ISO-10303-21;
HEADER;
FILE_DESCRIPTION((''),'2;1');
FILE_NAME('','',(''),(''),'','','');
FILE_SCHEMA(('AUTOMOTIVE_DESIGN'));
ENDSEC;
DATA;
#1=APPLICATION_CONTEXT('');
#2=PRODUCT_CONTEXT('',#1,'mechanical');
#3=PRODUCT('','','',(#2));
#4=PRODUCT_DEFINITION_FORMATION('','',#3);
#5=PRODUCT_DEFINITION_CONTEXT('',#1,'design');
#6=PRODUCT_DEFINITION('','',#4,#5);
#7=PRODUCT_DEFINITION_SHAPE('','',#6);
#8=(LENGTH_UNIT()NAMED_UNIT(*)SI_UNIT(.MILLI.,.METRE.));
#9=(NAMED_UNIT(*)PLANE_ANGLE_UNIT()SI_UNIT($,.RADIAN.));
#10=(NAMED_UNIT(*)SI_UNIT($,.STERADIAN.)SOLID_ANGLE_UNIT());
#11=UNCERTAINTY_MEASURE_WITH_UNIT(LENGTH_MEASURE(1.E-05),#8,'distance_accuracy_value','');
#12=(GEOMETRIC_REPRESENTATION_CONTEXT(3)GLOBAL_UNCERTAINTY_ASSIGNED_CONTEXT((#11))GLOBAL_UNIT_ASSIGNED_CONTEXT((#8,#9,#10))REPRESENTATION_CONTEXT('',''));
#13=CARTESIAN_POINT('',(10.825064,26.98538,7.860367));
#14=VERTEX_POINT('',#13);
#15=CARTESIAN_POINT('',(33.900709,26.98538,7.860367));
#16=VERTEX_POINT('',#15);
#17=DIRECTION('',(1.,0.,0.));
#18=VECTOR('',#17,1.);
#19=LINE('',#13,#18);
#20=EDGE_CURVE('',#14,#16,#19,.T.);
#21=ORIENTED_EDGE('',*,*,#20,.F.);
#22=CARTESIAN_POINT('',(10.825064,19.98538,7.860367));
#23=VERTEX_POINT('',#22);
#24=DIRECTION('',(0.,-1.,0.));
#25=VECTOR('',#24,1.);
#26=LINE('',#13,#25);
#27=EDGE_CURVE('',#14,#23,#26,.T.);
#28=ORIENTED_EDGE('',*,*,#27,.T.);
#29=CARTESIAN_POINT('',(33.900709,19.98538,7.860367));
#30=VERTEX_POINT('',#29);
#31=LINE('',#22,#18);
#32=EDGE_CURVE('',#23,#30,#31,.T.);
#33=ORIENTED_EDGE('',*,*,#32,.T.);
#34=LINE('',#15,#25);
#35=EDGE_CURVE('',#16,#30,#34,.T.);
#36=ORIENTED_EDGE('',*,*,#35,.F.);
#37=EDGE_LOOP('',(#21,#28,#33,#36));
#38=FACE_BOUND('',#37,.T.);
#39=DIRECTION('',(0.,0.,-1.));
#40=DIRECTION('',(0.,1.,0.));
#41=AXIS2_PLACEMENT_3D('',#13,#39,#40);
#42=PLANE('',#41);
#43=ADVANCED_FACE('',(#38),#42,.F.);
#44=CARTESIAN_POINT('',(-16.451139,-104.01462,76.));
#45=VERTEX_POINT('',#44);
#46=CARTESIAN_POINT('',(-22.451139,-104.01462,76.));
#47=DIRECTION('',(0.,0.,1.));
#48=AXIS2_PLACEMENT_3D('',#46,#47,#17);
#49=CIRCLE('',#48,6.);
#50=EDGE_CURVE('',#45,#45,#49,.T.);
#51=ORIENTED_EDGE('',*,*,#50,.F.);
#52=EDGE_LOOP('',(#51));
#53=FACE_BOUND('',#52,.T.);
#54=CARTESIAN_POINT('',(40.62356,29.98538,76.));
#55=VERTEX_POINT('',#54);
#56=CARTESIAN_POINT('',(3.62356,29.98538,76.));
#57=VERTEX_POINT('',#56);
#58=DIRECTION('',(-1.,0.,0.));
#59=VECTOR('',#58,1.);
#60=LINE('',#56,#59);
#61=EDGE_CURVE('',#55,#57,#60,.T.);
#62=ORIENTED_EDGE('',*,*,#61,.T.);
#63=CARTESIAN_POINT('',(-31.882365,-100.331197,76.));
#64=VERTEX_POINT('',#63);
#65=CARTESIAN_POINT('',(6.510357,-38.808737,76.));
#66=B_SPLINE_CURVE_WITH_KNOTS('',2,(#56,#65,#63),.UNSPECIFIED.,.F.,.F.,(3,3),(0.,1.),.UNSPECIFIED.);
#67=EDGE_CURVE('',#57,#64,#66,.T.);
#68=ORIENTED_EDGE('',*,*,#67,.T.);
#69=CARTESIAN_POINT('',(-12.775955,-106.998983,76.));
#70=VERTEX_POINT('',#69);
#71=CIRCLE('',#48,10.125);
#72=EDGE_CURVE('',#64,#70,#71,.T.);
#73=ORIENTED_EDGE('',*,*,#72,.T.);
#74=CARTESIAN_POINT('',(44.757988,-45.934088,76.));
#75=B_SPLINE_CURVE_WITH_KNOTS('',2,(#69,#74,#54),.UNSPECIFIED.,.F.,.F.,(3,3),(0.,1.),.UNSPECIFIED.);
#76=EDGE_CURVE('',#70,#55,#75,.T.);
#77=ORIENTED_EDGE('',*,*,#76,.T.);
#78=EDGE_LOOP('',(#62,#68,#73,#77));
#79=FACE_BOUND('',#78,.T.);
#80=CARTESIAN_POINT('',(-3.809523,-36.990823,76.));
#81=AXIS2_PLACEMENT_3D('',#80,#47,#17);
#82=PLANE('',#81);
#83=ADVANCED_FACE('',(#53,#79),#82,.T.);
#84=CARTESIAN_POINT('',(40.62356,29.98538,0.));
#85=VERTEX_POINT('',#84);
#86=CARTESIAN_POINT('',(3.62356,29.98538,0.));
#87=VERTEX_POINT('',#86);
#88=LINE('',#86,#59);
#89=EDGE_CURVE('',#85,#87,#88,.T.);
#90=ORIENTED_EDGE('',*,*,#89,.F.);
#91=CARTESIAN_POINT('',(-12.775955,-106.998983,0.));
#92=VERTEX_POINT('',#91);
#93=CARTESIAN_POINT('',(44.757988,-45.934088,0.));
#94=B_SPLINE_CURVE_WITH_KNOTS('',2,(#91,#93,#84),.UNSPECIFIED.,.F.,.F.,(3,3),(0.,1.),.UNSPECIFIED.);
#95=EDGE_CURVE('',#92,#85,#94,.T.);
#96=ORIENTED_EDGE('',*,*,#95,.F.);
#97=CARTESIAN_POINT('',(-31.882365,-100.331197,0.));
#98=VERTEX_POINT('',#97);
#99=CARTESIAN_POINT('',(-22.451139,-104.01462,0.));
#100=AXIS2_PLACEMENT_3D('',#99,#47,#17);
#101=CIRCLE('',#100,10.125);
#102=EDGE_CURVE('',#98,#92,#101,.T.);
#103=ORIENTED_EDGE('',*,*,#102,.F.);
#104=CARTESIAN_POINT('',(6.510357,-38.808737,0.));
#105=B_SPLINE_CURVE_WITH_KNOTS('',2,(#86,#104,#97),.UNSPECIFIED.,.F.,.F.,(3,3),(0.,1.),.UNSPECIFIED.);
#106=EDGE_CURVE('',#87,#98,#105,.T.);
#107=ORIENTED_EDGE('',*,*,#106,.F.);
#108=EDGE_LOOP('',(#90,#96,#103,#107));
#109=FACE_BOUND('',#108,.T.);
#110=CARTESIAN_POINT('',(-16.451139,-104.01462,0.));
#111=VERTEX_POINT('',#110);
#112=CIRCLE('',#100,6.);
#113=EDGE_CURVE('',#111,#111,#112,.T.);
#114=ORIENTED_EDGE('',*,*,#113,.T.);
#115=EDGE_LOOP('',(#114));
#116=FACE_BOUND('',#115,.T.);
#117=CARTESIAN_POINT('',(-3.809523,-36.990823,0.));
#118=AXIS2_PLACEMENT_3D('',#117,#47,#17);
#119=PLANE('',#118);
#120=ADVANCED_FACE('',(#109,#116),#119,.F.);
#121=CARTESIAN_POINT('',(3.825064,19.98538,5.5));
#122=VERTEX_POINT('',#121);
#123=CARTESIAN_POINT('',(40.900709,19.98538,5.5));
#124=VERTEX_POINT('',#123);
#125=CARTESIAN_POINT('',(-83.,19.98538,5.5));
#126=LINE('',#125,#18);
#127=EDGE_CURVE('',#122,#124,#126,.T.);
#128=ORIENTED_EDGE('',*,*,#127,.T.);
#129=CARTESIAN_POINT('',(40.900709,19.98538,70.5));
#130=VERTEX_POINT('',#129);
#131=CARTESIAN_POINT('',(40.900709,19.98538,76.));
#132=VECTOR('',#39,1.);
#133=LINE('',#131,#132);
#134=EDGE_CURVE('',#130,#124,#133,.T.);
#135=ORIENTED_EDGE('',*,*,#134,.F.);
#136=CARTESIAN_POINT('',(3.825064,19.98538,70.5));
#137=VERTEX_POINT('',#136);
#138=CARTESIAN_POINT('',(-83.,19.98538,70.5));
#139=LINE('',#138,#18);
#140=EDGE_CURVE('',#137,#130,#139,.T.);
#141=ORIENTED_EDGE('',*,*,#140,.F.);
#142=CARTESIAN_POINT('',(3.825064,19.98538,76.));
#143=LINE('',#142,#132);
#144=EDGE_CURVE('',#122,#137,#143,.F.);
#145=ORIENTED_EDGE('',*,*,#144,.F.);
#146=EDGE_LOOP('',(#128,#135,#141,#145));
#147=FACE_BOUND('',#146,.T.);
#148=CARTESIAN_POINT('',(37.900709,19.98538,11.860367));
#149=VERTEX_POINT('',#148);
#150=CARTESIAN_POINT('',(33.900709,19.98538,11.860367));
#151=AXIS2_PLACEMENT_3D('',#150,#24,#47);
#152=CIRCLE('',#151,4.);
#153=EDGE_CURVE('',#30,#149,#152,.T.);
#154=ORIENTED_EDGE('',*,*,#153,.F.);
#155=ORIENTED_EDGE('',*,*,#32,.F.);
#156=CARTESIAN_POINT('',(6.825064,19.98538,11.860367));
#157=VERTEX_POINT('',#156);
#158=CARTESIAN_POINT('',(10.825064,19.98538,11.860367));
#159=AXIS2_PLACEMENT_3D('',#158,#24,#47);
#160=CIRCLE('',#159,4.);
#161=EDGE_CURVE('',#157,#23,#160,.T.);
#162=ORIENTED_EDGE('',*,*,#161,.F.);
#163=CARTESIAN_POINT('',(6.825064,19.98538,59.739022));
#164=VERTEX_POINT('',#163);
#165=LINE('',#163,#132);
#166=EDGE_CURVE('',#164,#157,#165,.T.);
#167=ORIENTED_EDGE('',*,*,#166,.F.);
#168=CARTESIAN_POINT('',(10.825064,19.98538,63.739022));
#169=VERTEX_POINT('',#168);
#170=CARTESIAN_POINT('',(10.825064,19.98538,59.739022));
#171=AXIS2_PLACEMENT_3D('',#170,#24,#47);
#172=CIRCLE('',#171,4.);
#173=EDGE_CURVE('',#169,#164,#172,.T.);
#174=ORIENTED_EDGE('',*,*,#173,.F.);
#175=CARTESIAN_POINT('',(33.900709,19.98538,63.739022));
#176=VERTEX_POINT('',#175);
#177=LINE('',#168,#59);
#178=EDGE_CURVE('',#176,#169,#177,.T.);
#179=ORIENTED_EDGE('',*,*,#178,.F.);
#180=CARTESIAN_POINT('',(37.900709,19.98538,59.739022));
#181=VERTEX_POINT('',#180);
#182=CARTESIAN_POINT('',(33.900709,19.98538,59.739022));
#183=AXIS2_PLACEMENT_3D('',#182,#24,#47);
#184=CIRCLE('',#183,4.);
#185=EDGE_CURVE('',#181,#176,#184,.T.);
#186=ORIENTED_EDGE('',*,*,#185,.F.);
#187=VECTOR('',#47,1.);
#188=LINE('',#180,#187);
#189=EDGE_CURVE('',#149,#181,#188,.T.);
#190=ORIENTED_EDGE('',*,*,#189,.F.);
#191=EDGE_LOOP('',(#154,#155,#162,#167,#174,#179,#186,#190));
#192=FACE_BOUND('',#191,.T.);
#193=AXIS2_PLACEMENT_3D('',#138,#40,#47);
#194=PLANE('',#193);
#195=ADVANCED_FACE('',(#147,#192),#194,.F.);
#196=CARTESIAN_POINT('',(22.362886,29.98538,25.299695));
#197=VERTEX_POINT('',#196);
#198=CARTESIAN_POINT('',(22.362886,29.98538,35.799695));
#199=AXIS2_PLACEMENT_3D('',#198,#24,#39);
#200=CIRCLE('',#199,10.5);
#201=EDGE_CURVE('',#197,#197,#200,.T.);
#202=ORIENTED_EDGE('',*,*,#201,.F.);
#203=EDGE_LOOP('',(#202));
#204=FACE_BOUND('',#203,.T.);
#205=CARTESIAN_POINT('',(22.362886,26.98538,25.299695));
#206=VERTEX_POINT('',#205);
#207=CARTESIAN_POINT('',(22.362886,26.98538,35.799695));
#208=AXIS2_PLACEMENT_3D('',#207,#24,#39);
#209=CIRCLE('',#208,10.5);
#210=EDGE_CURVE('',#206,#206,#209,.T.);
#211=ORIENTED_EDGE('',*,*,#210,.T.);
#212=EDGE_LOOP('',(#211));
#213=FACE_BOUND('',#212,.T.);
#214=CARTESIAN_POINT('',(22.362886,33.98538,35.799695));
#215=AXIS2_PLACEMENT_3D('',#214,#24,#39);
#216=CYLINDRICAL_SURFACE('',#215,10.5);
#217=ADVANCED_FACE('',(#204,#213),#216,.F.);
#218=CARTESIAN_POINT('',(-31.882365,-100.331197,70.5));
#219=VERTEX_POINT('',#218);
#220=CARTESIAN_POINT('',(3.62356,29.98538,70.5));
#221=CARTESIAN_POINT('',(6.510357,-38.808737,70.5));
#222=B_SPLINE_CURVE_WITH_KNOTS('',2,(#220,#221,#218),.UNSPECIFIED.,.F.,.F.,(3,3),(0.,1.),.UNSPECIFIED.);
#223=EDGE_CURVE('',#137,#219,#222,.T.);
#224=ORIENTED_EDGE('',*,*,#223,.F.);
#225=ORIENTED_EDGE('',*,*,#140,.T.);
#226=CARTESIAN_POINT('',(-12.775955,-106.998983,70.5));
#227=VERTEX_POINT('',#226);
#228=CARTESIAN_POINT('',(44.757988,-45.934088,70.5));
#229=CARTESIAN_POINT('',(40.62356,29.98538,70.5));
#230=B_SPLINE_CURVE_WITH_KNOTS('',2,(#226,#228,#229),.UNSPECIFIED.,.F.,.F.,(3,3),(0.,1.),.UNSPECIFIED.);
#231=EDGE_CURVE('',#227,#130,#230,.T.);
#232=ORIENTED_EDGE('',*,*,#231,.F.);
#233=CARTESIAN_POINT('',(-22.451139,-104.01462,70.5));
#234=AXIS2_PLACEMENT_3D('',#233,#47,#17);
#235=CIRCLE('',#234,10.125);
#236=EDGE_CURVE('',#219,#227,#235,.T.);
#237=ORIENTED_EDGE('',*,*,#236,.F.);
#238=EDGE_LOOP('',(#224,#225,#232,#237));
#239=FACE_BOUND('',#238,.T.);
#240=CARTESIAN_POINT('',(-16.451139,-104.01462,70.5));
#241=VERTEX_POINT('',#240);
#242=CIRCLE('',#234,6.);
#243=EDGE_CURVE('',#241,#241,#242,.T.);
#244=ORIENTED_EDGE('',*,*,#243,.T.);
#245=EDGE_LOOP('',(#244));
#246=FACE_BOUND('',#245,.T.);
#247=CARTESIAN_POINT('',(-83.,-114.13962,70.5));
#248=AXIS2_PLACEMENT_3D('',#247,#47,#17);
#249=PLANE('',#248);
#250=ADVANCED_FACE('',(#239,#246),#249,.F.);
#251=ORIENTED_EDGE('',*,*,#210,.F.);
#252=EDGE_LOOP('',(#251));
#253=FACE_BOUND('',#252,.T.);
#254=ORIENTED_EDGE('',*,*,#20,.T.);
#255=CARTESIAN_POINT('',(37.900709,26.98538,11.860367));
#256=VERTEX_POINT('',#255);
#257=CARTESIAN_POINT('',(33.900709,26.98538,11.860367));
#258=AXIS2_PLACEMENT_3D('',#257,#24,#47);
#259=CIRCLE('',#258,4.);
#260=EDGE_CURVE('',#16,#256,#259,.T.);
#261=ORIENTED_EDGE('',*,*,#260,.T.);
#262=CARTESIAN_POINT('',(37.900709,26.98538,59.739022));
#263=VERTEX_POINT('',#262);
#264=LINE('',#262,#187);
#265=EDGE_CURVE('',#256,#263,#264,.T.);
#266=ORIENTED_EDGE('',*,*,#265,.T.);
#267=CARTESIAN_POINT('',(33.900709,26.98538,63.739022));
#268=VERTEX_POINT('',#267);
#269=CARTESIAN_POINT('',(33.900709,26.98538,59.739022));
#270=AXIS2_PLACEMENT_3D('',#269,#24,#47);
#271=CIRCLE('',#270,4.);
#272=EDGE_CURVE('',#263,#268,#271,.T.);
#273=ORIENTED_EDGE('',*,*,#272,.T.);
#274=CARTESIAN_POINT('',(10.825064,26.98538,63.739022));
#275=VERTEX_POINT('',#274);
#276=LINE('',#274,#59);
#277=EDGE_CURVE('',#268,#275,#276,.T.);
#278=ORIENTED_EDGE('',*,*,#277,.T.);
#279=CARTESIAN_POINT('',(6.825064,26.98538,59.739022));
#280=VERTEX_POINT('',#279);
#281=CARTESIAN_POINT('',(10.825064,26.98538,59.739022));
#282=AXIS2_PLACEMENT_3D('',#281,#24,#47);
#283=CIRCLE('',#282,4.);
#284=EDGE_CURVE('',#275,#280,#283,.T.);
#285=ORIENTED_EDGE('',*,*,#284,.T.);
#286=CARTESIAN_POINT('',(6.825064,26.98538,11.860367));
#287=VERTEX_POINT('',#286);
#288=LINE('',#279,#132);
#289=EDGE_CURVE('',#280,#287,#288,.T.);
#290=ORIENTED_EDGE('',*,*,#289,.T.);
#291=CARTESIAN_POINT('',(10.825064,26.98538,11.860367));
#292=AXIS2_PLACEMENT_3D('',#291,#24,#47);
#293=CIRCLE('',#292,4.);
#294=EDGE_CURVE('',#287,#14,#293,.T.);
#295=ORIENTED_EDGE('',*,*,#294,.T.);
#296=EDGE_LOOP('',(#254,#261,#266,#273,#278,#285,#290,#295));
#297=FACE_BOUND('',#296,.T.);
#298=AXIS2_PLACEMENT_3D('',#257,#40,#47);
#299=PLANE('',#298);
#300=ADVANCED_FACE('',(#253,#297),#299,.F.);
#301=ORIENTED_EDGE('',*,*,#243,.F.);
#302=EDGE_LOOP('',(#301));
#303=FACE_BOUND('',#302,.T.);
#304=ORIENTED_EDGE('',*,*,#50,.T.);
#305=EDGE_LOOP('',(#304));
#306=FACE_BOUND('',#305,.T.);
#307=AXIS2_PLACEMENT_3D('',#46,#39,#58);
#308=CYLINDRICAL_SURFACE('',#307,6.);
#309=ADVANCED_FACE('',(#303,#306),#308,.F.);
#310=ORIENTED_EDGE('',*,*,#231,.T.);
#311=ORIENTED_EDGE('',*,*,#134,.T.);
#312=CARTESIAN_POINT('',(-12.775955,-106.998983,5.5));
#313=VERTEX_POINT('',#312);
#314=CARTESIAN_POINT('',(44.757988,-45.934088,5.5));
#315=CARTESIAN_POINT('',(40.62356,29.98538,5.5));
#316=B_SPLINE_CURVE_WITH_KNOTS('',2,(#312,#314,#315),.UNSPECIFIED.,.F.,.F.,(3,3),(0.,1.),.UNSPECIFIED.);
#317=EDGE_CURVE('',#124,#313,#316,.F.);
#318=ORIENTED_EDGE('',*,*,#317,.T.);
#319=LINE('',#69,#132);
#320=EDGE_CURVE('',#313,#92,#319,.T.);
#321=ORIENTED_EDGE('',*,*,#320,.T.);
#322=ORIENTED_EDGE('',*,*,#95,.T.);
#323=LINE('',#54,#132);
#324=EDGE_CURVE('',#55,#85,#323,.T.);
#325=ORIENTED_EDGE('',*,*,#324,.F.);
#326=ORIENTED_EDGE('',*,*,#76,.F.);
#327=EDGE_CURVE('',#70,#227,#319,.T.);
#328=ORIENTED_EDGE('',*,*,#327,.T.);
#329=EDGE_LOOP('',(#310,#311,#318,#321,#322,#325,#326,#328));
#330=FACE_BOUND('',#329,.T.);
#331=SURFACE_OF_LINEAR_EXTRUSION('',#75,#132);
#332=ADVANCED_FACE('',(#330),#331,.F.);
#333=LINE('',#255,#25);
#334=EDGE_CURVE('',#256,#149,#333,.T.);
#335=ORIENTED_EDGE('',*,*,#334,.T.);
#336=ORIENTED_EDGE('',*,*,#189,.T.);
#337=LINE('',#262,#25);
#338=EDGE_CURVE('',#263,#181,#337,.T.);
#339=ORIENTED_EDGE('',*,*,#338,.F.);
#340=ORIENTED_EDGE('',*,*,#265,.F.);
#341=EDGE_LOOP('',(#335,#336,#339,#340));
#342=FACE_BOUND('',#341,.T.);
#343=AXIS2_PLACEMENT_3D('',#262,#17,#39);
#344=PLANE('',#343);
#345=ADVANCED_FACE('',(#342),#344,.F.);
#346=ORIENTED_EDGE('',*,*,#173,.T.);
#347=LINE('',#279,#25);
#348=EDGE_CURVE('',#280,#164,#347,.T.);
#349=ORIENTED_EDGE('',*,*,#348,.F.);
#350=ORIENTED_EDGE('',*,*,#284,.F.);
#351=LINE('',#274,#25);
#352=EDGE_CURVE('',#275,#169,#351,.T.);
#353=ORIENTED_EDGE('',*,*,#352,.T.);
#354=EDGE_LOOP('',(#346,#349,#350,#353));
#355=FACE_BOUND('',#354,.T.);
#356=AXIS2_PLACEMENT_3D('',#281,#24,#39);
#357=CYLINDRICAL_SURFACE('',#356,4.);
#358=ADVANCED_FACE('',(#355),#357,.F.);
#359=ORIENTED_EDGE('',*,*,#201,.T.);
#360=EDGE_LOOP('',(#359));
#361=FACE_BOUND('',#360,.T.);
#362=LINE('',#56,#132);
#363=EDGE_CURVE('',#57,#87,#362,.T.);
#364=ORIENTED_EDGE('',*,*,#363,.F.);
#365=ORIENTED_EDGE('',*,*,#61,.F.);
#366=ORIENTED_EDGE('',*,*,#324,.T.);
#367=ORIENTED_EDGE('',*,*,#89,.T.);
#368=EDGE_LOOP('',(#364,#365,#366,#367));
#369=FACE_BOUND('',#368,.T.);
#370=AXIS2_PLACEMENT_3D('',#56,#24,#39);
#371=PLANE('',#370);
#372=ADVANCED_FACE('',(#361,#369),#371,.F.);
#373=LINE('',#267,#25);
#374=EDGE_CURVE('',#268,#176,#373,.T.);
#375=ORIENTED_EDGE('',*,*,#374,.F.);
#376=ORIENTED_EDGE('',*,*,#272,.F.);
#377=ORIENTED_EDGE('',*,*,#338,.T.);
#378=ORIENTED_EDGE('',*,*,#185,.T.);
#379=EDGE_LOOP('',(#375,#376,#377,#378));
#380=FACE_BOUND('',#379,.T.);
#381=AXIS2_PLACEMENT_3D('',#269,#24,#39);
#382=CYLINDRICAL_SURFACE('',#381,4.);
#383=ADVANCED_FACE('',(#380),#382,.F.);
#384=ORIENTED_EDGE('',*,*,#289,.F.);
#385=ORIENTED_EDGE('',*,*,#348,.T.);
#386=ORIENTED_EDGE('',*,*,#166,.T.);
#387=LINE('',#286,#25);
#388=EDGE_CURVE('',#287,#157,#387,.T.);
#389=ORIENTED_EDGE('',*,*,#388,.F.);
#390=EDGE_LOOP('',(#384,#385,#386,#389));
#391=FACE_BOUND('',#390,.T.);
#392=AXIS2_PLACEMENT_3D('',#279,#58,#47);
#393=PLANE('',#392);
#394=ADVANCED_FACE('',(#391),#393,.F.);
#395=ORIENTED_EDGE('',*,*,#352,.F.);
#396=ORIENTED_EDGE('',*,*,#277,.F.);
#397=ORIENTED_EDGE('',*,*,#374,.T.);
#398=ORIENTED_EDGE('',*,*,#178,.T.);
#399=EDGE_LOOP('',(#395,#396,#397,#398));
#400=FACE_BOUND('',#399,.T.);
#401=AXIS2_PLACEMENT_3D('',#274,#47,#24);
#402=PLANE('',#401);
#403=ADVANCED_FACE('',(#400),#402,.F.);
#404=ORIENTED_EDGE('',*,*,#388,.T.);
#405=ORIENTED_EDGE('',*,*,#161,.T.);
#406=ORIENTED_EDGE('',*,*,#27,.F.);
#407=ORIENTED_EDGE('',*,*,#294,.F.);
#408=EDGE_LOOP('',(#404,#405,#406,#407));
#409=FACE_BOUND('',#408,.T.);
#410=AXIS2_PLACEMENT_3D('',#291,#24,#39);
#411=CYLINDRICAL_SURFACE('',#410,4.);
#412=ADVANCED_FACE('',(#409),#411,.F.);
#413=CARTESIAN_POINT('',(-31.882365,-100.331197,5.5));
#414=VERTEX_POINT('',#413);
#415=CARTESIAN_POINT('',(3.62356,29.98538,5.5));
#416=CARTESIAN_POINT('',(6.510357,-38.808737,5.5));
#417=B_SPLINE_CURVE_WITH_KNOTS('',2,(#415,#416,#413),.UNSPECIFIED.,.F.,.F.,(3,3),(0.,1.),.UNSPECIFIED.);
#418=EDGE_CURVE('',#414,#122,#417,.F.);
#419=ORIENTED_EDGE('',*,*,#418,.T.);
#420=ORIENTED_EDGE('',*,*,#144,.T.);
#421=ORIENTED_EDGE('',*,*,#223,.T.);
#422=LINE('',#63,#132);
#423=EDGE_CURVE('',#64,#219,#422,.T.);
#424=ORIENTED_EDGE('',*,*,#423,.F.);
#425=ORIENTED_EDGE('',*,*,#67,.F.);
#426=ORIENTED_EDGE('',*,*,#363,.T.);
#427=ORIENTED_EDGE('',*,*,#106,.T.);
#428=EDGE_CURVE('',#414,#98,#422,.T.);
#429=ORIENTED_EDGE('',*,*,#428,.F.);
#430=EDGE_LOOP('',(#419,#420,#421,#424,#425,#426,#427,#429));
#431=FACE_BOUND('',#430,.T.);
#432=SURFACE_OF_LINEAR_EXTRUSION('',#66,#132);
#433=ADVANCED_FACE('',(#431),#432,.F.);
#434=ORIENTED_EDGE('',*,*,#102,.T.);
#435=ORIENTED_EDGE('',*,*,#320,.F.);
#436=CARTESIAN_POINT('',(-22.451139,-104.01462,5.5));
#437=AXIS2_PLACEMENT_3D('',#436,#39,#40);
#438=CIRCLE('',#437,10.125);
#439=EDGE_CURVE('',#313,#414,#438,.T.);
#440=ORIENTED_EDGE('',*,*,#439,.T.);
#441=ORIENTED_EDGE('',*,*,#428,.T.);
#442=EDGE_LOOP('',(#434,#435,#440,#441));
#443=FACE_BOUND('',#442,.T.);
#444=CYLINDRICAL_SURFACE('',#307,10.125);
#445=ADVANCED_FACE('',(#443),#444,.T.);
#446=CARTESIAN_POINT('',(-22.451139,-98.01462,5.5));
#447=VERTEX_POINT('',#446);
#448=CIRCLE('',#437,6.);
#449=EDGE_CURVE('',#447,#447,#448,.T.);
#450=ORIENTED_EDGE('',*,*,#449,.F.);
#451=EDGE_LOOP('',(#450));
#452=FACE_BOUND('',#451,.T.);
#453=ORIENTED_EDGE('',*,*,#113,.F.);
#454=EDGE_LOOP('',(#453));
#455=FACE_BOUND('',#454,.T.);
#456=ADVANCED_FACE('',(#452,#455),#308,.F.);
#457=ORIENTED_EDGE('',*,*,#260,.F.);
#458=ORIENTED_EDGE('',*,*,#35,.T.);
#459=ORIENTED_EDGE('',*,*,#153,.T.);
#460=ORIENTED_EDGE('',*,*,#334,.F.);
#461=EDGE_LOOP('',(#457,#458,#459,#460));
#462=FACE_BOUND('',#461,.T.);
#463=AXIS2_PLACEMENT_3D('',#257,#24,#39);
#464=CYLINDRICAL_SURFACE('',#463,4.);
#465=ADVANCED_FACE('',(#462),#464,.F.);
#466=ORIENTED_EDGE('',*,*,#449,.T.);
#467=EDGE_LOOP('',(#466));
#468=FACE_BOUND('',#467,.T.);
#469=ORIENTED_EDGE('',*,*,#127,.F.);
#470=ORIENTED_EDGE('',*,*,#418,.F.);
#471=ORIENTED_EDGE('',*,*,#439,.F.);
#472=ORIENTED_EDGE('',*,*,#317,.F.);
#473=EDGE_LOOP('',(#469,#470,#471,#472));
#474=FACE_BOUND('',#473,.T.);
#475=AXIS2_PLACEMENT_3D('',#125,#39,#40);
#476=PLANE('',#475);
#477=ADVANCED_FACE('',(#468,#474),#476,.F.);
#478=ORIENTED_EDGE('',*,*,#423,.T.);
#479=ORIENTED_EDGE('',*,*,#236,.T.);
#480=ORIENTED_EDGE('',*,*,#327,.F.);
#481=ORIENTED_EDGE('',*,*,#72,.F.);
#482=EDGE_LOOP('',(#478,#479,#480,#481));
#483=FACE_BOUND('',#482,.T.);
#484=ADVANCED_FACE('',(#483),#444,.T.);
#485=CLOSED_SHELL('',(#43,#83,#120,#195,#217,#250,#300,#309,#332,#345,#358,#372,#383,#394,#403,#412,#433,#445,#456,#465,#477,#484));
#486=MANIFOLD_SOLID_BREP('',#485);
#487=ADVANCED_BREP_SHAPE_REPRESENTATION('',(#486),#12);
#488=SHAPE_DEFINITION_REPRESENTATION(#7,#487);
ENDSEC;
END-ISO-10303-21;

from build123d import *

# Parameters (mm, degrees)
CROQUIS1_R                 = 6
SALIENTE_EXTRUIR1_DEPTH    = 76
CORTAR_EXTRUIR1_DEPTH      = 53
CORTAR_EXTRUIR1_DEPTH_BACK = 83
CROQUIS2_W                 = 65
CROQUIS2_H                 = 134.125
CORTAR_EXTRUIR4_DEPTH      = 7
CROQUIS6_R                 = 10.5
CORTAR_EXTRUIR5_DEPTH      = 7


with BuildPart() as part:
    # Croquis1 → Saliente-Extruir1 (new body)
    with BuildSketch(Plane.XY):
        with BuildLine():
            Line((3.623560213, 29.985380117), (40.623560213, 29.985380117))
            add(Edge.make_bspline(
                [(40.623560213, 29.985380117), (44.757987914, -45.934087744), (-12.775954516, -106.998983358)],
                knots=[0, 0, 0, 1, 1, 1], degree=2))
            ThreePointArc((-12.775954516, -106.998983358), (-25.787263181, -113.574217266), (-31.882365072, -100.331196951))
            add(Edge.make_bspline(
                [(3.623560213, 29.985380117), (6.510357156, -38.808737065), (-31.882365072, -100.331196951)],
                knots=[0, 0, 0, 1, 1, 1], degree=2))
        make_face()
        with Locations((-22.451139251, -104.014619883)):
            Circle(CROQUIS1_R, mode=Mode.SUBTRACT)
    extrude(amount=SALIENTE_EXTRUIR1_DEPTH)

    # Croquis2 → Cortar-Extruir1 (cut, two sides: drawn at the far end of the back side and taken through both)
    with BuildSketch(Plane(origin=(0, 0, 0), x_dir=(0, 0, -1), z_dir=(1, 0, 0)).offset(-CORTAR_EXTRUIR1_DEPTH_BACK)):
        with Locations((-38, -47.077119883)):
            Rectangle(CROQUIS2_W, CROQUIS2_H)
    extrude(amount=CORTAR_EXTRUIR1_DEPTH + CORTAR_EXTRUIR1_DEPTH_BACK, mode=Mode.SUBTRACT)

    # Croquis5 → Cortar-Extruir4 (cut)
    with BuildSketch(Plane.XZ.offset(-19.985380117)):
        with BuildLine():
            Line((10.825063576, 63.739022161), (33.900709288, 63.739022161))
            ThreePointArc((33.900709288, 63.739022161), (36.729136412, 62.567449286), (37.900709288, 59.739022161))
            Line((37.900709288, 59.739022161), (37.900709288, 11.860366898))
            ThreePointArc((37.900709288, 11.860366898), (36.729136412, 9.031939774), (33.900709288, 7.860366898))
            Line((33.900709288, 7.860366898), (10.825063576, 7.860366898))
            ThreePointArc((10.825063576, 7.860366898), (7.996636452, 9.031939774), (6.825063576, 11.860366898))
            Line((6.825063576, 11.860366898), (6.825063576, 59.739022161))
            ThreePointArc((6.825063576, 59.739022161), (7.996636452, 62.567449286), (10.825063576, 63.739022161))
        make_face()
    extrude(amount=-CORTAR_EXTRUIR4_DEPTH, mode=Mode.SUBTRACT)

    # Croquis6 → Cortar-Extruir5 (cut)
    with BuildSketch(Plane(origin=(0, 26.985380117, 0), x_dir=(-1, 0, 0), z_dir=(0, -1, 0))):
        with Locations(Location((-22.362886432, -35.79969453, 0), (0, 0, 90))):
            Circle(CROQUIS6_R)
    extrude(amount=-CORTAR_EXTRUIR5_DEPTH, mode=Mode.SUBTRACT)


solid = part.part
